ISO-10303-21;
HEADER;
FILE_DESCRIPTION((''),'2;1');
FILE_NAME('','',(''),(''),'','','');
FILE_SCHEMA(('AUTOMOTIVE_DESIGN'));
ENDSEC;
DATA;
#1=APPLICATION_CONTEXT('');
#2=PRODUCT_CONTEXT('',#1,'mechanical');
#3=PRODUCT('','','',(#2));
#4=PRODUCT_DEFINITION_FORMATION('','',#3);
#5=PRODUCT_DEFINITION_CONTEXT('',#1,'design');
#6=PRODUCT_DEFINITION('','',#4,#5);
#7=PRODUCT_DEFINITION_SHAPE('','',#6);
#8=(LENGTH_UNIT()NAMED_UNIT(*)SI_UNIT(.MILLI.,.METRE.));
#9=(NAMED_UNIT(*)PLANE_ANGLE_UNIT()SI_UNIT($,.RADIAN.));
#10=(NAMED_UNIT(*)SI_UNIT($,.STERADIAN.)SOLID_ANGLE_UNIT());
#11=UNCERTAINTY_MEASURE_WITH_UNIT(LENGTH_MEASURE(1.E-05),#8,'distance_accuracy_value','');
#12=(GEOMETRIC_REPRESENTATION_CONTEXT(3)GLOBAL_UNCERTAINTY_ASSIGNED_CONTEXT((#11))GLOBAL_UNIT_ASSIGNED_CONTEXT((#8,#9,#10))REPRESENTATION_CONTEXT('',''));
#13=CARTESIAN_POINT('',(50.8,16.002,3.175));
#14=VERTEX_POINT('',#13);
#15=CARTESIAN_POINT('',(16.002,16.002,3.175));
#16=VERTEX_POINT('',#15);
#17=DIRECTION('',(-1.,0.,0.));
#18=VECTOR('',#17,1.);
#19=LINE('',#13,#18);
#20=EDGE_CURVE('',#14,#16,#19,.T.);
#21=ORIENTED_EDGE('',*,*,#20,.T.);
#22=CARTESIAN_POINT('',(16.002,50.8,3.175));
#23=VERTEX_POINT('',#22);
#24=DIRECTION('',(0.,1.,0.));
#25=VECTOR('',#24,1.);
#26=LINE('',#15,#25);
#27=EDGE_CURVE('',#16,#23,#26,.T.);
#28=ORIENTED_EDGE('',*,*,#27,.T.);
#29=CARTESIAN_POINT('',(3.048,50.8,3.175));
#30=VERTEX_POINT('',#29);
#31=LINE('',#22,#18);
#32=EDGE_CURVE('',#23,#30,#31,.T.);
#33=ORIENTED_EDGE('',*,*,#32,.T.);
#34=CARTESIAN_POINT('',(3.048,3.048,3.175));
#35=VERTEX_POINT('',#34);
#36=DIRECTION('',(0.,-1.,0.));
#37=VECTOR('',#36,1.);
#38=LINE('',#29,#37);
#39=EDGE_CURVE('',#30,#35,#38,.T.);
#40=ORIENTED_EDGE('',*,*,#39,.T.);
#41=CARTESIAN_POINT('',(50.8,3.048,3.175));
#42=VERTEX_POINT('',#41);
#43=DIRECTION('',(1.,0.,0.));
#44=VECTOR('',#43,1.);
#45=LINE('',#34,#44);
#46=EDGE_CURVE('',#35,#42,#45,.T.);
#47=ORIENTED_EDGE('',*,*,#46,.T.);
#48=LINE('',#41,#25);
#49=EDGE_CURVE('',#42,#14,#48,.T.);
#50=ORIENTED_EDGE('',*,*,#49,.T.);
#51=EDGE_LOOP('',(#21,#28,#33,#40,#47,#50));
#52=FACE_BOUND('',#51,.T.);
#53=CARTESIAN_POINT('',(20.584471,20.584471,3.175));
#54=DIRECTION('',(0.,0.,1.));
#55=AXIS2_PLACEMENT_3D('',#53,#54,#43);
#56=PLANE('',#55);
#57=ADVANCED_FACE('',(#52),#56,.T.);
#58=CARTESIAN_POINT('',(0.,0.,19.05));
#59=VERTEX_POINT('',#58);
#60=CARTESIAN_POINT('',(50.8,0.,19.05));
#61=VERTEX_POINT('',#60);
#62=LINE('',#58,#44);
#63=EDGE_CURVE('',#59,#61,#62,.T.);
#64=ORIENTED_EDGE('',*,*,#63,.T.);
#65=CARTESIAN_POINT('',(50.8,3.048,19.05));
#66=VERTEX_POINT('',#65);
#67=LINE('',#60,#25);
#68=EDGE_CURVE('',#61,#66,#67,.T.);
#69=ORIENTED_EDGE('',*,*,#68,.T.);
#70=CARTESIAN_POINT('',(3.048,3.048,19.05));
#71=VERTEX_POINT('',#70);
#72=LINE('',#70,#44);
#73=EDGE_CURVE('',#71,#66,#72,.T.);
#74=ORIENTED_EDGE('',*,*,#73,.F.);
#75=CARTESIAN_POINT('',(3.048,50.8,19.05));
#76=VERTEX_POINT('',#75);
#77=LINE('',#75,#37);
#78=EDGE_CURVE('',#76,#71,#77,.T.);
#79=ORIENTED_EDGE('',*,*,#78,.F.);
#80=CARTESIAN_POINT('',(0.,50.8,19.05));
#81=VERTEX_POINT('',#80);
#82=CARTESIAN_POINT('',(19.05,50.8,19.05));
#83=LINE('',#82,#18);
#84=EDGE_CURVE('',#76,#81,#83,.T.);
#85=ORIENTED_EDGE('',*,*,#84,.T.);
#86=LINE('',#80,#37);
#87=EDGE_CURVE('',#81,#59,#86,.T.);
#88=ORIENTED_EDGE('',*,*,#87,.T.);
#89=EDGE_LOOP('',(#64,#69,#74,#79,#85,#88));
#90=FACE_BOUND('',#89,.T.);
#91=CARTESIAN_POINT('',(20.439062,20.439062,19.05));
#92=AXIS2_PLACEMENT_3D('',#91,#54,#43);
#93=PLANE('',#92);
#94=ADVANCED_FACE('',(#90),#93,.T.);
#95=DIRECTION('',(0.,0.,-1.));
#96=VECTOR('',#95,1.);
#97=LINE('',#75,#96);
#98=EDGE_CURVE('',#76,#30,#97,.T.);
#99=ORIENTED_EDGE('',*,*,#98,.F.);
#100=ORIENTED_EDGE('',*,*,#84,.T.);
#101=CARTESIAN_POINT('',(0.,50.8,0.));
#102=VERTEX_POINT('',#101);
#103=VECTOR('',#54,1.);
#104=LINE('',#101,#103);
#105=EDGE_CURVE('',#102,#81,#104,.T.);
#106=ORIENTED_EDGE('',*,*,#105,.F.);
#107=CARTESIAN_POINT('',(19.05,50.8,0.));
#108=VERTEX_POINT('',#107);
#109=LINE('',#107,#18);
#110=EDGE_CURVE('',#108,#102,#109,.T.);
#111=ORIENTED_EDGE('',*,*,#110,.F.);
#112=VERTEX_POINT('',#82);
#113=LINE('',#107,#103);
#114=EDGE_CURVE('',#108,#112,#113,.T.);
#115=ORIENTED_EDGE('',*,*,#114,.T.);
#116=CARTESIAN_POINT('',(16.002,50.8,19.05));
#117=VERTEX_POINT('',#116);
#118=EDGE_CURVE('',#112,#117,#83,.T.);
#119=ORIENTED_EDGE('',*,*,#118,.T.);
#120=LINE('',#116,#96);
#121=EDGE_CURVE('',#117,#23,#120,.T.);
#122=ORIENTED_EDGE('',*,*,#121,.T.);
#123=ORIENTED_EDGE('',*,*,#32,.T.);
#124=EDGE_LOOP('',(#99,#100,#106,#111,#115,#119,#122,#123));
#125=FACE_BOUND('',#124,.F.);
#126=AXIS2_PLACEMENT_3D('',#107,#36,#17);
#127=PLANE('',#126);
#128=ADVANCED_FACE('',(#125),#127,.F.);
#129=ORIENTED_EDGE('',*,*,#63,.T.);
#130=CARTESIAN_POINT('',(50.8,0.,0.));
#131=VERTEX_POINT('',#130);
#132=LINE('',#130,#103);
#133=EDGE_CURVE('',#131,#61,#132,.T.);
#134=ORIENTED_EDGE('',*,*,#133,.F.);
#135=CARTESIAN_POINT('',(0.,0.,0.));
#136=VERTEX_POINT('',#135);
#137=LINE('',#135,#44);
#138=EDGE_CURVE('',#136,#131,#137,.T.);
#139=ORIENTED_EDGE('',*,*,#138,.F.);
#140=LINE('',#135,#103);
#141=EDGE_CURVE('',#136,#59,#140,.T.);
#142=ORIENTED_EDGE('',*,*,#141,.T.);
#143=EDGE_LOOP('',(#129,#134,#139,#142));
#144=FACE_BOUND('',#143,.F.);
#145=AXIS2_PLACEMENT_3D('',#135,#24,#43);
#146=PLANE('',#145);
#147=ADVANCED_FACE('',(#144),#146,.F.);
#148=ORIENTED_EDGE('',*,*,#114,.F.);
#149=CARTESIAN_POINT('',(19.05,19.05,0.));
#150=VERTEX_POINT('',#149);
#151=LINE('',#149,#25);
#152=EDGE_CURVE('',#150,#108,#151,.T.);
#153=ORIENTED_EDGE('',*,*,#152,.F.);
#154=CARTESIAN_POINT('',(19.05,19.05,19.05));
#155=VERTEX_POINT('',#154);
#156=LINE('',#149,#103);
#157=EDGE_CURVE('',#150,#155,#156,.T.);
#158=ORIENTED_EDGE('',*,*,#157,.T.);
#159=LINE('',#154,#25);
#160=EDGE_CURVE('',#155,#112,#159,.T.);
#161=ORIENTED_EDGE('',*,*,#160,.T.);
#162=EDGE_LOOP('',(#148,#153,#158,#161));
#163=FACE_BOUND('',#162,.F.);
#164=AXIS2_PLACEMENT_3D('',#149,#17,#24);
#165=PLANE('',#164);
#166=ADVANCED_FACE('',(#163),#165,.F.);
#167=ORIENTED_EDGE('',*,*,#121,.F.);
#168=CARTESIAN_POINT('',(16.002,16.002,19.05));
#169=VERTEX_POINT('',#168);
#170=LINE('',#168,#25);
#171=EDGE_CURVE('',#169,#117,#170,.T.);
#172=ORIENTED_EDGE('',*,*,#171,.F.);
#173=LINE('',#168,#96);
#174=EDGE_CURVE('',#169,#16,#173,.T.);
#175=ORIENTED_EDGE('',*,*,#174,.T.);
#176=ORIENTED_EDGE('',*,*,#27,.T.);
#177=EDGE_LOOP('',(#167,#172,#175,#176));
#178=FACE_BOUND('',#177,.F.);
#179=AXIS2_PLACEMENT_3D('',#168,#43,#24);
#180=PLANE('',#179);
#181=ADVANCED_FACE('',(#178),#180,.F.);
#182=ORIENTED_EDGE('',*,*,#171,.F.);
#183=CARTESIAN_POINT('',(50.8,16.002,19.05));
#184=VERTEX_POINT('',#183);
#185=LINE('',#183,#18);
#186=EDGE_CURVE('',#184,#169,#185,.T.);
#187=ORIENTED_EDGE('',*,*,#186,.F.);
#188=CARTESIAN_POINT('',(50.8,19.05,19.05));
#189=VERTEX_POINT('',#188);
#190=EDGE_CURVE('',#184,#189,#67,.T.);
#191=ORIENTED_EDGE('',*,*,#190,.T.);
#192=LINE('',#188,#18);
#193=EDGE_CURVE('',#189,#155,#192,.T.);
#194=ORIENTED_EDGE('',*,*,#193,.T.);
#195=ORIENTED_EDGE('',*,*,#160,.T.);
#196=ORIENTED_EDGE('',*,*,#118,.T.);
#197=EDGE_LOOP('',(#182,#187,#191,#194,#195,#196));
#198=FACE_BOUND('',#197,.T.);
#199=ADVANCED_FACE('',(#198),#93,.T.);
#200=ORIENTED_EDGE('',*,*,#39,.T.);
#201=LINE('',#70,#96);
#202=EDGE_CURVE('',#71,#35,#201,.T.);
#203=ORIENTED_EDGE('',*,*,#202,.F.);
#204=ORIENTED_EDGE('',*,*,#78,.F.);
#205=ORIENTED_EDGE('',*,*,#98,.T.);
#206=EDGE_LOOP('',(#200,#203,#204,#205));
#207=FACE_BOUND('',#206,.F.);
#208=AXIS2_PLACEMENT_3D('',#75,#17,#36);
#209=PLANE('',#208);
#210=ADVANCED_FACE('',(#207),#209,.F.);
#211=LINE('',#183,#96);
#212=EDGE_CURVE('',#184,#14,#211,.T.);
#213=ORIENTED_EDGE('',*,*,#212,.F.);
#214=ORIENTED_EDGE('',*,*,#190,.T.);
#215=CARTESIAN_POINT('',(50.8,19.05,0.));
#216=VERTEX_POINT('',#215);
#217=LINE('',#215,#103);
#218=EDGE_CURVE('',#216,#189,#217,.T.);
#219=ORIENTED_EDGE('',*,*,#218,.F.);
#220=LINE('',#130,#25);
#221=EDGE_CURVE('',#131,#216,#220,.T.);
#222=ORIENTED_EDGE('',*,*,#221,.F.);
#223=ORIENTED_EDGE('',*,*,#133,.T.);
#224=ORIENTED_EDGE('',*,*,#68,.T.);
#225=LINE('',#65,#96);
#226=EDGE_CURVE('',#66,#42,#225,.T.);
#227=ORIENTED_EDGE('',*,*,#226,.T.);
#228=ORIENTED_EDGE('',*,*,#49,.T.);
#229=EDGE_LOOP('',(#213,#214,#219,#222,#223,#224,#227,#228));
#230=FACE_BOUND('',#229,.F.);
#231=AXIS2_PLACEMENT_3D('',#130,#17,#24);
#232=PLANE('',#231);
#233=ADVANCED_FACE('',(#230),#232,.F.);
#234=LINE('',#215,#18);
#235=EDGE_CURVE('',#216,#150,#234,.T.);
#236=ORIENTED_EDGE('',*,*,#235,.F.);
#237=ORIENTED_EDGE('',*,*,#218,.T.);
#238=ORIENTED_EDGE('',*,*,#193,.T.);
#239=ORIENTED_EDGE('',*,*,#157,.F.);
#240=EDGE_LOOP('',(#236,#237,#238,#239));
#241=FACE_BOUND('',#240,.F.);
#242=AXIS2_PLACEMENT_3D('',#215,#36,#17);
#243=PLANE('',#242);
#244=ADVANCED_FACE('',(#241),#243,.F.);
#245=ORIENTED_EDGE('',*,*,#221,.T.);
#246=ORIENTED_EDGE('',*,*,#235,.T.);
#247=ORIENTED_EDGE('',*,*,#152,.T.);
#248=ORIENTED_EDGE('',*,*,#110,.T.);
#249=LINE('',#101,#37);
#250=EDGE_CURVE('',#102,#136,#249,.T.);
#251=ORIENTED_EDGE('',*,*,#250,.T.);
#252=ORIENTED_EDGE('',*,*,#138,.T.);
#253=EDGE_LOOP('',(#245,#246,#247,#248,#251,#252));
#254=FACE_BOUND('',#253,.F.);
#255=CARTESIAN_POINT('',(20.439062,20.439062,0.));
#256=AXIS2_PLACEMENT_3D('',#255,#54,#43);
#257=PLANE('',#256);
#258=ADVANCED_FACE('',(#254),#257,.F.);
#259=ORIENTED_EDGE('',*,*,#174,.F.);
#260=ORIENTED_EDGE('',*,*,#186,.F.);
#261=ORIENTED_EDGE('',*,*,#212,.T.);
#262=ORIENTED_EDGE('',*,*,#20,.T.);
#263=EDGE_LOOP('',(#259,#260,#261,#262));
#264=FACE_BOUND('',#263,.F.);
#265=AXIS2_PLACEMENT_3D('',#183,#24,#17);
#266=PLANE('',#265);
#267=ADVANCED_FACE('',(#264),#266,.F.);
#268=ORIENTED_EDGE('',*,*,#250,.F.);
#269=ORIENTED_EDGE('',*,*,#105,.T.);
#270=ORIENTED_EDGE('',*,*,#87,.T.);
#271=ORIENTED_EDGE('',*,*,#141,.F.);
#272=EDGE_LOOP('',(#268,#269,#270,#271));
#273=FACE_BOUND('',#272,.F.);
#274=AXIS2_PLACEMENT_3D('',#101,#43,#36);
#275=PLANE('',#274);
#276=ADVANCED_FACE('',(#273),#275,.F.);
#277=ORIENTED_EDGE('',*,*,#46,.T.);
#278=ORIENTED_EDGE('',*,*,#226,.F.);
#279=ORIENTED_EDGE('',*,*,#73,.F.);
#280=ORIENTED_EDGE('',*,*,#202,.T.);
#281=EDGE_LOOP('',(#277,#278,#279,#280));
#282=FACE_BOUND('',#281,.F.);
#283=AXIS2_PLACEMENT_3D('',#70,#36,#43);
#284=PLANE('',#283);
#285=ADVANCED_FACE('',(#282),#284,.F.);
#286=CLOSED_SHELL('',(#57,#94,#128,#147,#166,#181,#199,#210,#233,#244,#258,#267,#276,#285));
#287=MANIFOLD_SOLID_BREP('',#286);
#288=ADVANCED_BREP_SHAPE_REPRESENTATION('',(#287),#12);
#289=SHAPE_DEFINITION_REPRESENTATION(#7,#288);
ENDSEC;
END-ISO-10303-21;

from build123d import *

# Parameters (mm, degrees)
F1_DEPTH = 19.05
F3_DEPTH = 15.875


with BuildPart() as f1:
    # F0 (on Top) → F1 (new body)
    with BuildSketch(Plane.XY):
        Polygon((0, 50.8), (0, 0), (50.8, 0), (50.8, 19.05), (19.05, 19.05), (19.05, 50.8), align=None)
    extrude(amount=F1_DEPTH)

    # F2 (on face) → F3 (cut)
    with BuildSketch(Plane.XY.offset(19.05)):
        Polygon((50.8, 16.002), (16.002, 16.002), (16.002, 50.8), (3.048, 50.8), (3.048, 3.048), (50.8, 3.048), align=None)
    extrude(amount=-F3_DEPTH, mode=Mode.SUBTRACT)


solid = f1.part
